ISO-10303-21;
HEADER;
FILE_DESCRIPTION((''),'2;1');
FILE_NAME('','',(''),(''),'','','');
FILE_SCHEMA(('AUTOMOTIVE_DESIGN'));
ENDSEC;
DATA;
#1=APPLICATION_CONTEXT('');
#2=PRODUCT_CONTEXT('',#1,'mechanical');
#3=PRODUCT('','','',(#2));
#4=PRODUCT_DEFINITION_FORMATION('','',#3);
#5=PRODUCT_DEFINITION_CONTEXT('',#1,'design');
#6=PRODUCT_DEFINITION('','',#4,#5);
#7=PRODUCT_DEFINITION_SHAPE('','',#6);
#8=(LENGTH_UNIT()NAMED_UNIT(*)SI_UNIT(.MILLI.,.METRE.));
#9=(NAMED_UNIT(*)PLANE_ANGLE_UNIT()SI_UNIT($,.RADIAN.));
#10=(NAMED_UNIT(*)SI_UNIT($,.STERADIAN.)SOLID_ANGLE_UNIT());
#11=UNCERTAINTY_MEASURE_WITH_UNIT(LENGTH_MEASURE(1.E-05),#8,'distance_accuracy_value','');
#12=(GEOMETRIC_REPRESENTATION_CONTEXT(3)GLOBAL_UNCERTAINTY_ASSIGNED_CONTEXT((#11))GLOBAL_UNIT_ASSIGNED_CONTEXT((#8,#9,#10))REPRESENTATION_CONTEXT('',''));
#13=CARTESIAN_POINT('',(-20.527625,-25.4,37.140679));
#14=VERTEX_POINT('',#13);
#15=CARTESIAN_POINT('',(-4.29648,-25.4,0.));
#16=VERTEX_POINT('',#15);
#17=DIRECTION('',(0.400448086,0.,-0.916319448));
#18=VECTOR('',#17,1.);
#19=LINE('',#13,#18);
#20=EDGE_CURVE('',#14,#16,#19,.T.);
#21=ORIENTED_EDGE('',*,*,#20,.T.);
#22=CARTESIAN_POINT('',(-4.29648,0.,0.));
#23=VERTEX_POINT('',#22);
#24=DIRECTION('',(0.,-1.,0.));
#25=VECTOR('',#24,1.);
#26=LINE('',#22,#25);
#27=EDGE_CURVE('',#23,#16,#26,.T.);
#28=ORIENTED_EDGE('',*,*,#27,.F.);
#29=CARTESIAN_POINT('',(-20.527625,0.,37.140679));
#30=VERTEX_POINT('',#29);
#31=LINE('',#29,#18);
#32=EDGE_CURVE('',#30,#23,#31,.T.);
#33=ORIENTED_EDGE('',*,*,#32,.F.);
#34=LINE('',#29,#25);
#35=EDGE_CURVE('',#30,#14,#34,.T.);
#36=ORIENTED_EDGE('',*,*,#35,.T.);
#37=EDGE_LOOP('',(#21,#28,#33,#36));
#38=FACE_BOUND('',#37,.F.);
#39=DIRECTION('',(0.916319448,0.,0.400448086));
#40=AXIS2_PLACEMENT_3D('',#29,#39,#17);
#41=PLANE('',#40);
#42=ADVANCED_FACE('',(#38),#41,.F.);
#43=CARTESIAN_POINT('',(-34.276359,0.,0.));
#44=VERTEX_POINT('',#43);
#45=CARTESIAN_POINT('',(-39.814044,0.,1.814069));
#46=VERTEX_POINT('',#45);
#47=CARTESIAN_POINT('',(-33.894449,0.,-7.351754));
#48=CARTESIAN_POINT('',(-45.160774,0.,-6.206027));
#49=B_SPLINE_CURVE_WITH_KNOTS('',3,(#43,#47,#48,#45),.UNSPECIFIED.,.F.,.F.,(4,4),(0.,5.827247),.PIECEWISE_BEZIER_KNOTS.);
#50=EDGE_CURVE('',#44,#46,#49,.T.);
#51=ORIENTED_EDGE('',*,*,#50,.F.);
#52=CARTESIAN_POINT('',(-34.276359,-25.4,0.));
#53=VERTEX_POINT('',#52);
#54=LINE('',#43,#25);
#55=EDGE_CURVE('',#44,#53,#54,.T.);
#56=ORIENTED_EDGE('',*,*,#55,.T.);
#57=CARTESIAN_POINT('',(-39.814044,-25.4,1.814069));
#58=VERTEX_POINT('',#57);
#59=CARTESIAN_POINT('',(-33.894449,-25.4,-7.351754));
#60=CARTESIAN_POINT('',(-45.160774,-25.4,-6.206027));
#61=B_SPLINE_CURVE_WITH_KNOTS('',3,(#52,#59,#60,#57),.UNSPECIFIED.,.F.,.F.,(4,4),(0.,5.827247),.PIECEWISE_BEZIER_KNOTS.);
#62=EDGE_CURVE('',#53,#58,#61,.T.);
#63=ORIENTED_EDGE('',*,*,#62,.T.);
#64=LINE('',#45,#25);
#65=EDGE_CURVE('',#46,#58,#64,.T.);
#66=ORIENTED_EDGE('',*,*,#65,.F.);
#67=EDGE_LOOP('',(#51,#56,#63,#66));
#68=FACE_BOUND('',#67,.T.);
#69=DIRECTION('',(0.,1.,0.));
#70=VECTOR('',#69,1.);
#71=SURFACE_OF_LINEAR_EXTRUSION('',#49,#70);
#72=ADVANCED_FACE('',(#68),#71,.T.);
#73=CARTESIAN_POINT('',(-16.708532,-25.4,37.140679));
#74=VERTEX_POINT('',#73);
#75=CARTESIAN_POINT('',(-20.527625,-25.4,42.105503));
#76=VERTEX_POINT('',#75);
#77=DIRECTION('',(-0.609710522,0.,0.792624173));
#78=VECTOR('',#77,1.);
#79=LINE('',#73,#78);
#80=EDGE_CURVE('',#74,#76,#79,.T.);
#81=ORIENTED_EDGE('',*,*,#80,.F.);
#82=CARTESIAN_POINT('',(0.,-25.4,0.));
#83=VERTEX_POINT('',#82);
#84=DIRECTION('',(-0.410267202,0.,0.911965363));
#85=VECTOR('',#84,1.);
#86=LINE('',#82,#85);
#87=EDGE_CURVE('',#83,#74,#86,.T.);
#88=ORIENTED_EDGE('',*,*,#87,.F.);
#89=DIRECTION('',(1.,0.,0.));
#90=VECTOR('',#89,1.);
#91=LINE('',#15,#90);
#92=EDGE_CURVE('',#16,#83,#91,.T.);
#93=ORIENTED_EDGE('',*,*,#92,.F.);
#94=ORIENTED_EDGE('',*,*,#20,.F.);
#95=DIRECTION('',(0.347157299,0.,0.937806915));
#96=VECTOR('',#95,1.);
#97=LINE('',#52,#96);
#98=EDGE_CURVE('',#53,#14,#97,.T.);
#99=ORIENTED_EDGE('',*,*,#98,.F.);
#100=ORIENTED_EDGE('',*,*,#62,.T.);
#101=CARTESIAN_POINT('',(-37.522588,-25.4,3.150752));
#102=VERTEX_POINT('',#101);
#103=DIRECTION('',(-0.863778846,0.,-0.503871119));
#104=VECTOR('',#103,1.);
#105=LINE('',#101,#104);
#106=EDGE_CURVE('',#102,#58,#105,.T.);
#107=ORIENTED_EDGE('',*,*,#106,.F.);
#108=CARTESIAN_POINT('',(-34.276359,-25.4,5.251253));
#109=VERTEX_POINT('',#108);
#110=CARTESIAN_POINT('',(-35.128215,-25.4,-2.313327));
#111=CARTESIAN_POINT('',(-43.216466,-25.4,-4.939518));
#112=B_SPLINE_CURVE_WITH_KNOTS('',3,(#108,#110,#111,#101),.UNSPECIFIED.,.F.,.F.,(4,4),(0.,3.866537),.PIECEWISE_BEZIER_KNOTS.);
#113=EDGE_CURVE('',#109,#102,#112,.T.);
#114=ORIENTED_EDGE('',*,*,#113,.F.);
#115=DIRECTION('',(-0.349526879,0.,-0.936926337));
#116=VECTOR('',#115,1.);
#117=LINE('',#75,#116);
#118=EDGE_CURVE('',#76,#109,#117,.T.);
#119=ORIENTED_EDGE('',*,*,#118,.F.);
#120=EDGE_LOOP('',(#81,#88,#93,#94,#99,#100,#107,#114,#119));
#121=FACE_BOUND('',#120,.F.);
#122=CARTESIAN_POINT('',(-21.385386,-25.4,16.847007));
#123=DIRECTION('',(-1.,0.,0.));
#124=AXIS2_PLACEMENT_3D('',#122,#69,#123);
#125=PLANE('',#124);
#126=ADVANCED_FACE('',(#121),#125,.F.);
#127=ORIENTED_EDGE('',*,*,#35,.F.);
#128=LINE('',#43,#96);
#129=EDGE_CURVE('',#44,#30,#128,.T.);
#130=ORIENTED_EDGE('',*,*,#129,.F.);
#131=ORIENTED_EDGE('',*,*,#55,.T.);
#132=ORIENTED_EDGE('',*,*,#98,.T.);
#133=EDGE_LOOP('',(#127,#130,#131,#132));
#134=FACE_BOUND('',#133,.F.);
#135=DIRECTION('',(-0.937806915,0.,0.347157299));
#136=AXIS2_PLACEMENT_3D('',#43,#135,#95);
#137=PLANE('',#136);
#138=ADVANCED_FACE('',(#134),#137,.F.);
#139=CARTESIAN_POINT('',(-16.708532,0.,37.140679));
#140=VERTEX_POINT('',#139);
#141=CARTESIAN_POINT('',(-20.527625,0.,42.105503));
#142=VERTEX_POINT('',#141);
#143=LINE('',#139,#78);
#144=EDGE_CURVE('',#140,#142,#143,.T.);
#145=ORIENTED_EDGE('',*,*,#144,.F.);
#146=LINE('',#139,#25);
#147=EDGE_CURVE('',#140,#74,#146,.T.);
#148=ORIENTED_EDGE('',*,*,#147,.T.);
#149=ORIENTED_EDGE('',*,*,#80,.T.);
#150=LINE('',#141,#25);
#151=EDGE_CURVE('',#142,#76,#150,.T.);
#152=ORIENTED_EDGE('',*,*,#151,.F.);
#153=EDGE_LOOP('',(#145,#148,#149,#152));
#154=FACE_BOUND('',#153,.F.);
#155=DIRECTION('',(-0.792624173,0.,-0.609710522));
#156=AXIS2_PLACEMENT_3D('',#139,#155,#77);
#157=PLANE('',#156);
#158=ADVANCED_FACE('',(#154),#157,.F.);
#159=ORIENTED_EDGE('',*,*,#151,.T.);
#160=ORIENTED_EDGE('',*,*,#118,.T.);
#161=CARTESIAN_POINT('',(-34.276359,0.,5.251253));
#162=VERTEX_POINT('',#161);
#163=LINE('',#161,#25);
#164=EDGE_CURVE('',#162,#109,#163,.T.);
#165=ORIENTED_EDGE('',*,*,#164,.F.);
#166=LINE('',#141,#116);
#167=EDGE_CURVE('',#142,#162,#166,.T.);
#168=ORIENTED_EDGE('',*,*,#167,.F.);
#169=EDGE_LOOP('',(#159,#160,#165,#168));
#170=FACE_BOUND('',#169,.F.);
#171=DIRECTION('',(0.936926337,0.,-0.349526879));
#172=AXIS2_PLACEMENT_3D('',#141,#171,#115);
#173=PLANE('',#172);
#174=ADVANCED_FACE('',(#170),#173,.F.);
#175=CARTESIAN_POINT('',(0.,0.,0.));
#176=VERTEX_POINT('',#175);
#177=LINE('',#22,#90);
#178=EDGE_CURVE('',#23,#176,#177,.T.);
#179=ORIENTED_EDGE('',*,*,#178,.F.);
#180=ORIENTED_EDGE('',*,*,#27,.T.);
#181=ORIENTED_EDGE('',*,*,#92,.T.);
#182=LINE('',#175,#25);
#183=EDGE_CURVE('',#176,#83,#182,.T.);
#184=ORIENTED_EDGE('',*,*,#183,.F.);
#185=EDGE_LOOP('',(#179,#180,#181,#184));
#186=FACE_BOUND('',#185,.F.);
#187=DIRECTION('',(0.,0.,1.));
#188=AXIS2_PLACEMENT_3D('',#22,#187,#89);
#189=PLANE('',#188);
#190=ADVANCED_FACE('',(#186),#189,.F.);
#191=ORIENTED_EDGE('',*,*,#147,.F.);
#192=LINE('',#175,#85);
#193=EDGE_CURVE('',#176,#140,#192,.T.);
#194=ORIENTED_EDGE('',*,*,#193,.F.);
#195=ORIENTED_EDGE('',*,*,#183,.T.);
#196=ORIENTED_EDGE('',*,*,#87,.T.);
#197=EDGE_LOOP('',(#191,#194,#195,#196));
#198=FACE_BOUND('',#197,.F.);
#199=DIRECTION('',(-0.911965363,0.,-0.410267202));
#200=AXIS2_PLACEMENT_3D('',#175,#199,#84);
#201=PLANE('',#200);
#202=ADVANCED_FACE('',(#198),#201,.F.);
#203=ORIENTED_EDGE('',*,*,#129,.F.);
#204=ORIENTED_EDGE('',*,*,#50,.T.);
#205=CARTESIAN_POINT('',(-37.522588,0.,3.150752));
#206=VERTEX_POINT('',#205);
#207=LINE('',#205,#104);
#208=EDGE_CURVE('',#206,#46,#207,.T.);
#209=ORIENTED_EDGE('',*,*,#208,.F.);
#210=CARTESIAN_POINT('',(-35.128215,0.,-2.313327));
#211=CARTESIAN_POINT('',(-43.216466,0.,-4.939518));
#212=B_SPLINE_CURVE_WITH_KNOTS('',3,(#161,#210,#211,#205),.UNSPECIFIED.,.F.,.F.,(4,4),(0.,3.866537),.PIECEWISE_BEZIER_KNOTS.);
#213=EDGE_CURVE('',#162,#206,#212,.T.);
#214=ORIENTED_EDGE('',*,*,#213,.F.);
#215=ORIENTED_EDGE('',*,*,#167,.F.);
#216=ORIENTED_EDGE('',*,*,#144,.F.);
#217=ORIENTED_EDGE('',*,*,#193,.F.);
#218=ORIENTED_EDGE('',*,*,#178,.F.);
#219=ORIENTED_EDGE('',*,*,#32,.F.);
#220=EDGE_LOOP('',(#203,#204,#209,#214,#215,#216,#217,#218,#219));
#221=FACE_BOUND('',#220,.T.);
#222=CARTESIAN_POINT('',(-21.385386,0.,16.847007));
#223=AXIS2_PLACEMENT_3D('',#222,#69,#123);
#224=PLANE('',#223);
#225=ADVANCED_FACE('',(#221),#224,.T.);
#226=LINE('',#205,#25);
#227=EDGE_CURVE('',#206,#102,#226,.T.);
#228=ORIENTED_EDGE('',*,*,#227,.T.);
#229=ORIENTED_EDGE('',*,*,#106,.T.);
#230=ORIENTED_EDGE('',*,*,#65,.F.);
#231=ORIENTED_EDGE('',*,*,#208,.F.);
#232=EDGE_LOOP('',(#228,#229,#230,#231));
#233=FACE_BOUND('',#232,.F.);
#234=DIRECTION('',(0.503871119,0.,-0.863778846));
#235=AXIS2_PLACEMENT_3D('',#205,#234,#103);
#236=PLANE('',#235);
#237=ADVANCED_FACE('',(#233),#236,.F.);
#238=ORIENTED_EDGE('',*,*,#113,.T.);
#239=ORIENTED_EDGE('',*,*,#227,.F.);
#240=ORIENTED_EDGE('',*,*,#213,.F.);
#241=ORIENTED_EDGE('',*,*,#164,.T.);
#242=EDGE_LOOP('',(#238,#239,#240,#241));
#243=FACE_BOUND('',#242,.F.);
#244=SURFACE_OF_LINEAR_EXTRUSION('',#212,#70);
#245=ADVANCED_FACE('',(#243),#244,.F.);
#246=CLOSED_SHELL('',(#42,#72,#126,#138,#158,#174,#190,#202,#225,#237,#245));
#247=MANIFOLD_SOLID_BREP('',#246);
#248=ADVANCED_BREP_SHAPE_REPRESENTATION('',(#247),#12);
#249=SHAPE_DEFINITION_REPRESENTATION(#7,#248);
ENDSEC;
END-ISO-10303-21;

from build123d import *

# Parameters (mm, degrees)
F1_DEPTH = 25.4


with BuildPart() as f1:
    # F0 (on Front) → F1 (new body)
    with BuildSketch(Plane.XZ):
        with BuildLine():
            add(Edge.make_bspline(
                [(-34.276359, 0), (-33.894449, -7.351754), (-45.160774, -6.206027), (-39.814044, 1.814069)],
                knots=[0, 0, 0, 0, 5.827247, 5.827247, 5.827247, 5.827247], degree=3))
            Line((-34.276359, 0), (-20.527625, 37.140679))
            Line((-20.527625, 37.140679), (-4.29648, 0))
            Line((-4.29648, 0), (0, 0))
            Line((0, 0), (-16.708532, 37.140679))
            Line((-16.708532, 37.140679), (-20.527625, 42.105503))
            Line((-20.527625, 42.105503), (-34.276359, 5.251253))
            add(Edge.make_bspline(
                [(-34.276359, 5.251253), (-35.128215, -2.313327), (-43.216466, -4.939518), (-37.522588, 3.150752)],
                knots=[0, 0, 0, 0, 3.866537, 3.866537, 3.866537, 3.866537], degree=3))
            Line((-37.522588, 3.150752), (-39.814044, 1.814069))
        make_face()
    extrude(amount=F1_DEPTH)


solid = f1.part
